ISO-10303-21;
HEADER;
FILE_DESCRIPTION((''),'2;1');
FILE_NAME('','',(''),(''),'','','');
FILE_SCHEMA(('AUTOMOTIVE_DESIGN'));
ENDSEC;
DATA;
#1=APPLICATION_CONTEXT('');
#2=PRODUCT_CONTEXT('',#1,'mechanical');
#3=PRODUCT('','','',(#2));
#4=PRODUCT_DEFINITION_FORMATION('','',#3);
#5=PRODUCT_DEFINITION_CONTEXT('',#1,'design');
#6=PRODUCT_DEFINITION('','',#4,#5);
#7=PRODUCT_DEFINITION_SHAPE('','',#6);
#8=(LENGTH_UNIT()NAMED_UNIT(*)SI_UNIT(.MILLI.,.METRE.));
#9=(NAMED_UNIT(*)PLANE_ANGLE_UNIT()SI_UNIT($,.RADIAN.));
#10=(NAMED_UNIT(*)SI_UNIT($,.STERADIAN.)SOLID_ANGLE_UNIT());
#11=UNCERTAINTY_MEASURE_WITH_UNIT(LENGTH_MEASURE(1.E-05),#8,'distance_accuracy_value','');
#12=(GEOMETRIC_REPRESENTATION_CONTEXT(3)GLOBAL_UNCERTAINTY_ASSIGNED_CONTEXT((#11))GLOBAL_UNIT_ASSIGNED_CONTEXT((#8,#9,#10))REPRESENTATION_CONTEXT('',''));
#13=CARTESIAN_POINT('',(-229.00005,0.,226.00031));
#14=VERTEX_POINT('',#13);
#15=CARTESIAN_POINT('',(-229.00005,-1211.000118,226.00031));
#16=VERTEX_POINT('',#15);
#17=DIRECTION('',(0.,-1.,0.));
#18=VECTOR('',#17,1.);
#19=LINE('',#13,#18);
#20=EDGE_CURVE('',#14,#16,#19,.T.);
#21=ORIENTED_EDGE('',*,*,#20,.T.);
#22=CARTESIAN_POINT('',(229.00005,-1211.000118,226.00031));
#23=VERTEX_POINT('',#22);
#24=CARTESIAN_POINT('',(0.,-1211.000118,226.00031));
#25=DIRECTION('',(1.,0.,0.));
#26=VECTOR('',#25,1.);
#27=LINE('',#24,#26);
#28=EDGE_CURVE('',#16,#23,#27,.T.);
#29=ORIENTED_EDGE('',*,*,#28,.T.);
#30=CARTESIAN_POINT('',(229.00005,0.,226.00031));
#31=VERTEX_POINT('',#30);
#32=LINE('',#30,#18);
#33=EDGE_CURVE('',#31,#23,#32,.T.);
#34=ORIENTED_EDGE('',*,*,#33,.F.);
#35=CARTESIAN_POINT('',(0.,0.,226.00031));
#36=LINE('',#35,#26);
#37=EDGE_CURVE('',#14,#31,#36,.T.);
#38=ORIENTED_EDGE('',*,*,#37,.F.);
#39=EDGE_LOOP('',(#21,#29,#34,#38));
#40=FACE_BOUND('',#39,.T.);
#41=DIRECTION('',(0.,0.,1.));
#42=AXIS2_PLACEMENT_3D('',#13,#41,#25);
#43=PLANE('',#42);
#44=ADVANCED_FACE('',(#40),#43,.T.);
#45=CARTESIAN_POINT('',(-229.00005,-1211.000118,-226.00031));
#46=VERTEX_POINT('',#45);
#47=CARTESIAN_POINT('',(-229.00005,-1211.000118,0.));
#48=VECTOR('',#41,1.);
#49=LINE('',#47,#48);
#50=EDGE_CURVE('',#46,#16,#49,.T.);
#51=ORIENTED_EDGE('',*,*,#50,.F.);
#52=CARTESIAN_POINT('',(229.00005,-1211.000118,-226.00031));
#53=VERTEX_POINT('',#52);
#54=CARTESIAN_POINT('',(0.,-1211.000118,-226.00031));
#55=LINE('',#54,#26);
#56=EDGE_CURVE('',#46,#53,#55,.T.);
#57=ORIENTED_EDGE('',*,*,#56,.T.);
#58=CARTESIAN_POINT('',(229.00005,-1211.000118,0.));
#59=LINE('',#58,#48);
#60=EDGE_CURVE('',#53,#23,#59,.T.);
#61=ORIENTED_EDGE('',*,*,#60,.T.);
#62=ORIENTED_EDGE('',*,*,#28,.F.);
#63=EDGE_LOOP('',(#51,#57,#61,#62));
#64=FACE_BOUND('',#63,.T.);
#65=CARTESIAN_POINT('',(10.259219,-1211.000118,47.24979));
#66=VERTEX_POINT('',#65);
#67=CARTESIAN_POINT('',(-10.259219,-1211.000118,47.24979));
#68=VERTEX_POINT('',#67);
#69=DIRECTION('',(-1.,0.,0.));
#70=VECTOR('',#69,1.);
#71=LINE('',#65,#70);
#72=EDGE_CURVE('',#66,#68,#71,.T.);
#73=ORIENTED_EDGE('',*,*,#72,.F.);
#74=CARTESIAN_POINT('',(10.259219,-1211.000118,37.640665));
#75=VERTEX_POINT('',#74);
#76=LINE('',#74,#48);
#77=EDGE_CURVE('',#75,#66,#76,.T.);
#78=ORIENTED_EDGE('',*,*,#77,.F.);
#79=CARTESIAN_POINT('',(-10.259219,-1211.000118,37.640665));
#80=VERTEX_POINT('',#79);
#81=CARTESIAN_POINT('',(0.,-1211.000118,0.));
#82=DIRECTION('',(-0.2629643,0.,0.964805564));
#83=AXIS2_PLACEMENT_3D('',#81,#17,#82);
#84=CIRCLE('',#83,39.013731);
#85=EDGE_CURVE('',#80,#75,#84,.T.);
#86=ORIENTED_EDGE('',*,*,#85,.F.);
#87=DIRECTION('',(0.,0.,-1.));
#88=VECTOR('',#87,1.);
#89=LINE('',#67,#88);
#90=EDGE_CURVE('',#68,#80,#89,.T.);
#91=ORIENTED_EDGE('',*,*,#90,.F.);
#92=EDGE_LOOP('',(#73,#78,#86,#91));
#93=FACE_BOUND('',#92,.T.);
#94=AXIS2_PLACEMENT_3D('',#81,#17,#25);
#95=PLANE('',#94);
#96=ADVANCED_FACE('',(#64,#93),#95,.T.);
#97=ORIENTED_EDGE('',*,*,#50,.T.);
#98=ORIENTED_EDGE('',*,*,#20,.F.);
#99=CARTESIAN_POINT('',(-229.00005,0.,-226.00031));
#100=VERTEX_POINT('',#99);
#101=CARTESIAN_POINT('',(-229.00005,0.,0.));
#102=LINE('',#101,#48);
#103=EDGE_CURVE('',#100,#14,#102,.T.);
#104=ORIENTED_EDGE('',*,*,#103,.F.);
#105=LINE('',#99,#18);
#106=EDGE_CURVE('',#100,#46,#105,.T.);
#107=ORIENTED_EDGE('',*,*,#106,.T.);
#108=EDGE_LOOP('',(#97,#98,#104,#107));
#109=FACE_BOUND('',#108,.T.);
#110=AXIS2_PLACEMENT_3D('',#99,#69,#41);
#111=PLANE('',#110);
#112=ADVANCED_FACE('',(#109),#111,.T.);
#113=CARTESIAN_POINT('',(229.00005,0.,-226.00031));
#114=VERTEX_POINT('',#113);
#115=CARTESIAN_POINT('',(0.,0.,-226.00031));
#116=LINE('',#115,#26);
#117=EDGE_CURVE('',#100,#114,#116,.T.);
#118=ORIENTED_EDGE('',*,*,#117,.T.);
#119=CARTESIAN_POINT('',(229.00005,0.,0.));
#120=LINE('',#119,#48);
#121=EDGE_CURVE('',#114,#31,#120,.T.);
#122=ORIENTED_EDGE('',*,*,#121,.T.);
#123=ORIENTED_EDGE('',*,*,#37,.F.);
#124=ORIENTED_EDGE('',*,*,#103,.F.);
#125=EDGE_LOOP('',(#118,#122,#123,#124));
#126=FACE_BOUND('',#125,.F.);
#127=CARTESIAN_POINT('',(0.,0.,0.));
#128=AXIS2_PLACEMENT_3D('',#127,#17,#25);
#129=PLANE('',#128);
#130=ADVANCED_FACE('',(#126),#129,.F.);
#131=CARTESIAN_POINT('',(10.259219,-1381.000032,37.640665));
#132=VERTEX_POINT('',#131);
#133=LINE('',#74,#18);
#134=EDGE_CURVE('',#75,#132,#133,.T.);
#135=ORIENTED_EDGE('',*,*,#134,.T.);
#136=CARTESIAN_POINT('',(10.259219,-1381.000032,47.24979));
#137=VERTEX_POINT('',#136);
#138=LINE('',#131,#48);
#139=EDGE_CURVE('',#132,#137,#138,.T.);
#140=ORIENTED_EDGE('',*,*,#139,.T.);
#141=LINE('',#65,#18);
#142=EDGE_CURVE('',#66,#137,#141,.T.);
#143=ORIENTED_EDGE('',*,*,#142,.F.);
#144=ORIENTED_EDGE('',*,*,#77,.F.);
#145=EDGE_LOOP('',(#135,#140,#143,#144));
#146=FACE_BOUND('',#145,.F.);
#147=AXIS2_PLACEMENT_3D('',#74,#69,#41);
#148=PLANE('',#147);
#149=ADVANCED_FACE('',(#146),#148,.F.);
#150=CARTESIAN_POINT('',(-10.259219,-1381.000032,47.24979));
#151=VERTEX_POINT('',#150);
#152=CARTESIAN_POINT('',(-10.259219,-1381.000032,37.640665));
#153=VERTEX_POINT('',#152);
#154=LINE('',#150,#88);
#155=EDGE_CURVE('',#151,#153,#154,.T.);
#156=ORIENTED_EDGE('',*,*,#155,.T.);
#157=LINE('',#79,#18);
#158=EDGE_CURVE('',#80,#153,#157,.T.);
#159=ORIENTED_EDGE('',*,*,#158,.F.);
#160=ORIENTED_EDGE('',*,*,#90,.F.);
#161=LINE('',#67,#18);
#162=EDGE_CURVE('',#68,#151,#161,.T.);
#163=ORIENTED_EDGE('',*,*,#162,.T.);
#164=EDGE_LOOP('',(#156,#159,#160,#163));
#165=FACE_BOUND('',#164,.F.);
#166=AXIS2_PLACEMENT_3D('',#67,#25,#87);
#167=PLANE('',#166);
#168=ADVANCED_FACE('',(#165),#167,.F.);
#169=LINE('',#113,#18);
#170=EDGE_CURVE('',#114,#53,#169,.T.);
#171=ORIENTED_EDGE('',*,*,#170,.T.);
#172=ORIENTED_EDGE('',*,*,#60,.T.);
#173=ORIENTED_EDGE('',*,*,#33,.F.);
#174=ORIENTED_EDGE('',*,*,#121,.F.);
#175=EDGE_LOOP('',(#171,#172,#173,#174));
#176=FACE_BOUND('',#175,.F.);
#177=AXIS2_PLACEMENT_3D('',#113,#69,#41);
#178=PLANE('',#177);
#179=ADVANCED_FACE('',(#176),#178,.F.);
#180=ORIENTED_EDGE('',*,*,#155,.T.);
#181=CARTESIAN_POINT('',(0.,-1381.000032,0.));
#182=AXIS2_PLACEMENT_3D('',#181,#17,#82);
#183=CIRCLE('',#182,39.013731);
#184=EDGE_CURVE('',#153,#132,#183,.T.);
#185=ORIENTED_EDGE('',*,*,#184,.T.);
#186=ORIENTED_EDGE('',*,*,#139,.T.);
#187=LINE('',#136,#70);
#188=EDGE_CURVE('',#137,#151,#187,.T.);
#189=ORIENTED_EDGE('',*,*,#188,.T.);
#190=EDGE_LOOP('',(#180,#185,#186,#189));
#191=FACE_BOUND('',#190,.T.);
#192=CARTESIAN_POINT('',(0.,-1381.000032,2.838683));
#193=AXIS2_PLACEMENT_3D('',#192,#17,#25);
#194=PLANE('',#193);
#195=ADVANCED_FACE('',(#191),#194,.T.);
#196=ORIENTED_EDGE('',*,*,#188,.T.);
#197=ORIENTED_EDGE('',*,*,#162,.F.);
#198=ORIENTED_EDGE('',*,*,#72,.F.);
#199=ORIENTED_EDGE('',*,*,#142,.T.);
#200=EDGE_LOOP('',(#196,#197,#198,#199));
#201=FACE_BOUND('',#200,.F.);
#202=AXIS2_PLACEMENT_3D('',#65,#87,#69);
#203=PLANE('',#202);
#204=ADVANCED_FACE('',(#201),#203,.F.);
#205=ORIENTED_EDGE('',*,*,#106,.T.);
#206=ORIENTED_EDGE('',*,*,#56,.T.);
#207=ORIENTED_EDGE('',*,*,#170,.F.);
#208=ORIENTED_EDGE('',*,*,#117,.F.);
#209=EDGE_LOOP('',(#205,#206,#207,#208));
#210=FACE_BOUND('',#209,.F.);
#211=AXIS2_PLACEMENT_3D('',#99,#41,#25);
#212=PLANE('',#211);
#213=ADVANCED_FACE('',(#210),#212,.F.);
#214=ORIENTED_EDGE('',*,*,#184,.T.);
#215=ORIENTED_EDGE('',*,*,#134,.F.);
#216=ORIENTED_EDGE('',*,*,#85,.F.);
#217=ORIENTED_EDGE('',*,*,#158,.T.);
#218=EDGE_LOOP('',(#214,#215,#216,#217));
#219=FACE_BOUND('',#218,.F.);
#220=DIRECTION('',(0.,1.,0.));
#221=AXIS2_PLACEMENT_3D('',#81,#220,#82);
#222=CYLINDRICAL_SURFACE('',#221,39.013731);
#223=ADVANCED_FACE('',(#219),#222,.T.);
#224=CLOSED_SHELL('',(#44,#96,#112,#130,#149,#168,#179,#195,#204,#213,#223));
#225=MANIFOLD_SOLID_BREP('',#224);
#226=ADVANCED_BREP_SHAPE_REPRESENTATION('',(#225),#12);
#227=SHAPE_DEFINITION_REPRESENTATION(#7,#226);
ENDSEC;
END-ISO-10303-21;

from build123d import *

# Parameters (mm, degrees)
F0_W     = 458.0001
F0_H     = 452.00062
F1_DEPTH = 1211.000118
F3_DEPTH = 169.999914


with BuildPart() as f1:
    # F0 (on Front) → F1 (new body)
    with BuildSketch(Plane.XZ):
        Rectangle(F0_W, F0_H)
    extrude(amount=F1_DEPTH)

    # F2 (on face) → F3 (join)
    with BuildSketch(Plane.XZ.offset(1211.000118)):
        with BuildLine():
            ThreePointArc((-10.259218514, 37.6406649164), (-23.6835473139, -31.0025935447), (39.0137311708, 0))
            ThreePointArc((39.0137311708, 0), (31.0025935447, 23.6835473139), (10.259218514, 37.6406649164))
            Line((10.259218514, 37.6406649164), (10.259218514, 30.7776723057))
            Line((10.259218514, 30.7776723057), (-10.259218514, 30.7776723057))
            Line((-10.259218514, 30.7776723057), (-10.259218514, 37.6406649164))
        make_face()
        with BuildLine():
            Line((10.259218514, 30.7776723057), (10.259218514, 37.6406649164))
            ThreePointArc((10.259218514, 37.6406649164), (0, 39.0137311708), (-10.259218514, 37.6406649164))
            Line((-10.259218514, 37.6406649164), (-10.259218514, 30.7776723057))
            Line((-10.259218514, 30.7776723057), (10.259218514, 30.7776723057))
        make_face()
        with BuildLine():
            ThreePointArc((-10.259218514, 37.6406649164), (0, 39.0137311708), (10.259218514, 37.6406649164))
            Line((10.259218514, 37.6406649164), (10.259218514, 47.2497900359))
            Line((10.259218514, 47.2497900359), (-10.259218514, 47.2497900359))
            Line((-10.259218514, 47.2497900359), (-10.259218514, 37.6406649164))
        make_face()
    extrude(amount=F3_DEPTH)


solid = f1.part
